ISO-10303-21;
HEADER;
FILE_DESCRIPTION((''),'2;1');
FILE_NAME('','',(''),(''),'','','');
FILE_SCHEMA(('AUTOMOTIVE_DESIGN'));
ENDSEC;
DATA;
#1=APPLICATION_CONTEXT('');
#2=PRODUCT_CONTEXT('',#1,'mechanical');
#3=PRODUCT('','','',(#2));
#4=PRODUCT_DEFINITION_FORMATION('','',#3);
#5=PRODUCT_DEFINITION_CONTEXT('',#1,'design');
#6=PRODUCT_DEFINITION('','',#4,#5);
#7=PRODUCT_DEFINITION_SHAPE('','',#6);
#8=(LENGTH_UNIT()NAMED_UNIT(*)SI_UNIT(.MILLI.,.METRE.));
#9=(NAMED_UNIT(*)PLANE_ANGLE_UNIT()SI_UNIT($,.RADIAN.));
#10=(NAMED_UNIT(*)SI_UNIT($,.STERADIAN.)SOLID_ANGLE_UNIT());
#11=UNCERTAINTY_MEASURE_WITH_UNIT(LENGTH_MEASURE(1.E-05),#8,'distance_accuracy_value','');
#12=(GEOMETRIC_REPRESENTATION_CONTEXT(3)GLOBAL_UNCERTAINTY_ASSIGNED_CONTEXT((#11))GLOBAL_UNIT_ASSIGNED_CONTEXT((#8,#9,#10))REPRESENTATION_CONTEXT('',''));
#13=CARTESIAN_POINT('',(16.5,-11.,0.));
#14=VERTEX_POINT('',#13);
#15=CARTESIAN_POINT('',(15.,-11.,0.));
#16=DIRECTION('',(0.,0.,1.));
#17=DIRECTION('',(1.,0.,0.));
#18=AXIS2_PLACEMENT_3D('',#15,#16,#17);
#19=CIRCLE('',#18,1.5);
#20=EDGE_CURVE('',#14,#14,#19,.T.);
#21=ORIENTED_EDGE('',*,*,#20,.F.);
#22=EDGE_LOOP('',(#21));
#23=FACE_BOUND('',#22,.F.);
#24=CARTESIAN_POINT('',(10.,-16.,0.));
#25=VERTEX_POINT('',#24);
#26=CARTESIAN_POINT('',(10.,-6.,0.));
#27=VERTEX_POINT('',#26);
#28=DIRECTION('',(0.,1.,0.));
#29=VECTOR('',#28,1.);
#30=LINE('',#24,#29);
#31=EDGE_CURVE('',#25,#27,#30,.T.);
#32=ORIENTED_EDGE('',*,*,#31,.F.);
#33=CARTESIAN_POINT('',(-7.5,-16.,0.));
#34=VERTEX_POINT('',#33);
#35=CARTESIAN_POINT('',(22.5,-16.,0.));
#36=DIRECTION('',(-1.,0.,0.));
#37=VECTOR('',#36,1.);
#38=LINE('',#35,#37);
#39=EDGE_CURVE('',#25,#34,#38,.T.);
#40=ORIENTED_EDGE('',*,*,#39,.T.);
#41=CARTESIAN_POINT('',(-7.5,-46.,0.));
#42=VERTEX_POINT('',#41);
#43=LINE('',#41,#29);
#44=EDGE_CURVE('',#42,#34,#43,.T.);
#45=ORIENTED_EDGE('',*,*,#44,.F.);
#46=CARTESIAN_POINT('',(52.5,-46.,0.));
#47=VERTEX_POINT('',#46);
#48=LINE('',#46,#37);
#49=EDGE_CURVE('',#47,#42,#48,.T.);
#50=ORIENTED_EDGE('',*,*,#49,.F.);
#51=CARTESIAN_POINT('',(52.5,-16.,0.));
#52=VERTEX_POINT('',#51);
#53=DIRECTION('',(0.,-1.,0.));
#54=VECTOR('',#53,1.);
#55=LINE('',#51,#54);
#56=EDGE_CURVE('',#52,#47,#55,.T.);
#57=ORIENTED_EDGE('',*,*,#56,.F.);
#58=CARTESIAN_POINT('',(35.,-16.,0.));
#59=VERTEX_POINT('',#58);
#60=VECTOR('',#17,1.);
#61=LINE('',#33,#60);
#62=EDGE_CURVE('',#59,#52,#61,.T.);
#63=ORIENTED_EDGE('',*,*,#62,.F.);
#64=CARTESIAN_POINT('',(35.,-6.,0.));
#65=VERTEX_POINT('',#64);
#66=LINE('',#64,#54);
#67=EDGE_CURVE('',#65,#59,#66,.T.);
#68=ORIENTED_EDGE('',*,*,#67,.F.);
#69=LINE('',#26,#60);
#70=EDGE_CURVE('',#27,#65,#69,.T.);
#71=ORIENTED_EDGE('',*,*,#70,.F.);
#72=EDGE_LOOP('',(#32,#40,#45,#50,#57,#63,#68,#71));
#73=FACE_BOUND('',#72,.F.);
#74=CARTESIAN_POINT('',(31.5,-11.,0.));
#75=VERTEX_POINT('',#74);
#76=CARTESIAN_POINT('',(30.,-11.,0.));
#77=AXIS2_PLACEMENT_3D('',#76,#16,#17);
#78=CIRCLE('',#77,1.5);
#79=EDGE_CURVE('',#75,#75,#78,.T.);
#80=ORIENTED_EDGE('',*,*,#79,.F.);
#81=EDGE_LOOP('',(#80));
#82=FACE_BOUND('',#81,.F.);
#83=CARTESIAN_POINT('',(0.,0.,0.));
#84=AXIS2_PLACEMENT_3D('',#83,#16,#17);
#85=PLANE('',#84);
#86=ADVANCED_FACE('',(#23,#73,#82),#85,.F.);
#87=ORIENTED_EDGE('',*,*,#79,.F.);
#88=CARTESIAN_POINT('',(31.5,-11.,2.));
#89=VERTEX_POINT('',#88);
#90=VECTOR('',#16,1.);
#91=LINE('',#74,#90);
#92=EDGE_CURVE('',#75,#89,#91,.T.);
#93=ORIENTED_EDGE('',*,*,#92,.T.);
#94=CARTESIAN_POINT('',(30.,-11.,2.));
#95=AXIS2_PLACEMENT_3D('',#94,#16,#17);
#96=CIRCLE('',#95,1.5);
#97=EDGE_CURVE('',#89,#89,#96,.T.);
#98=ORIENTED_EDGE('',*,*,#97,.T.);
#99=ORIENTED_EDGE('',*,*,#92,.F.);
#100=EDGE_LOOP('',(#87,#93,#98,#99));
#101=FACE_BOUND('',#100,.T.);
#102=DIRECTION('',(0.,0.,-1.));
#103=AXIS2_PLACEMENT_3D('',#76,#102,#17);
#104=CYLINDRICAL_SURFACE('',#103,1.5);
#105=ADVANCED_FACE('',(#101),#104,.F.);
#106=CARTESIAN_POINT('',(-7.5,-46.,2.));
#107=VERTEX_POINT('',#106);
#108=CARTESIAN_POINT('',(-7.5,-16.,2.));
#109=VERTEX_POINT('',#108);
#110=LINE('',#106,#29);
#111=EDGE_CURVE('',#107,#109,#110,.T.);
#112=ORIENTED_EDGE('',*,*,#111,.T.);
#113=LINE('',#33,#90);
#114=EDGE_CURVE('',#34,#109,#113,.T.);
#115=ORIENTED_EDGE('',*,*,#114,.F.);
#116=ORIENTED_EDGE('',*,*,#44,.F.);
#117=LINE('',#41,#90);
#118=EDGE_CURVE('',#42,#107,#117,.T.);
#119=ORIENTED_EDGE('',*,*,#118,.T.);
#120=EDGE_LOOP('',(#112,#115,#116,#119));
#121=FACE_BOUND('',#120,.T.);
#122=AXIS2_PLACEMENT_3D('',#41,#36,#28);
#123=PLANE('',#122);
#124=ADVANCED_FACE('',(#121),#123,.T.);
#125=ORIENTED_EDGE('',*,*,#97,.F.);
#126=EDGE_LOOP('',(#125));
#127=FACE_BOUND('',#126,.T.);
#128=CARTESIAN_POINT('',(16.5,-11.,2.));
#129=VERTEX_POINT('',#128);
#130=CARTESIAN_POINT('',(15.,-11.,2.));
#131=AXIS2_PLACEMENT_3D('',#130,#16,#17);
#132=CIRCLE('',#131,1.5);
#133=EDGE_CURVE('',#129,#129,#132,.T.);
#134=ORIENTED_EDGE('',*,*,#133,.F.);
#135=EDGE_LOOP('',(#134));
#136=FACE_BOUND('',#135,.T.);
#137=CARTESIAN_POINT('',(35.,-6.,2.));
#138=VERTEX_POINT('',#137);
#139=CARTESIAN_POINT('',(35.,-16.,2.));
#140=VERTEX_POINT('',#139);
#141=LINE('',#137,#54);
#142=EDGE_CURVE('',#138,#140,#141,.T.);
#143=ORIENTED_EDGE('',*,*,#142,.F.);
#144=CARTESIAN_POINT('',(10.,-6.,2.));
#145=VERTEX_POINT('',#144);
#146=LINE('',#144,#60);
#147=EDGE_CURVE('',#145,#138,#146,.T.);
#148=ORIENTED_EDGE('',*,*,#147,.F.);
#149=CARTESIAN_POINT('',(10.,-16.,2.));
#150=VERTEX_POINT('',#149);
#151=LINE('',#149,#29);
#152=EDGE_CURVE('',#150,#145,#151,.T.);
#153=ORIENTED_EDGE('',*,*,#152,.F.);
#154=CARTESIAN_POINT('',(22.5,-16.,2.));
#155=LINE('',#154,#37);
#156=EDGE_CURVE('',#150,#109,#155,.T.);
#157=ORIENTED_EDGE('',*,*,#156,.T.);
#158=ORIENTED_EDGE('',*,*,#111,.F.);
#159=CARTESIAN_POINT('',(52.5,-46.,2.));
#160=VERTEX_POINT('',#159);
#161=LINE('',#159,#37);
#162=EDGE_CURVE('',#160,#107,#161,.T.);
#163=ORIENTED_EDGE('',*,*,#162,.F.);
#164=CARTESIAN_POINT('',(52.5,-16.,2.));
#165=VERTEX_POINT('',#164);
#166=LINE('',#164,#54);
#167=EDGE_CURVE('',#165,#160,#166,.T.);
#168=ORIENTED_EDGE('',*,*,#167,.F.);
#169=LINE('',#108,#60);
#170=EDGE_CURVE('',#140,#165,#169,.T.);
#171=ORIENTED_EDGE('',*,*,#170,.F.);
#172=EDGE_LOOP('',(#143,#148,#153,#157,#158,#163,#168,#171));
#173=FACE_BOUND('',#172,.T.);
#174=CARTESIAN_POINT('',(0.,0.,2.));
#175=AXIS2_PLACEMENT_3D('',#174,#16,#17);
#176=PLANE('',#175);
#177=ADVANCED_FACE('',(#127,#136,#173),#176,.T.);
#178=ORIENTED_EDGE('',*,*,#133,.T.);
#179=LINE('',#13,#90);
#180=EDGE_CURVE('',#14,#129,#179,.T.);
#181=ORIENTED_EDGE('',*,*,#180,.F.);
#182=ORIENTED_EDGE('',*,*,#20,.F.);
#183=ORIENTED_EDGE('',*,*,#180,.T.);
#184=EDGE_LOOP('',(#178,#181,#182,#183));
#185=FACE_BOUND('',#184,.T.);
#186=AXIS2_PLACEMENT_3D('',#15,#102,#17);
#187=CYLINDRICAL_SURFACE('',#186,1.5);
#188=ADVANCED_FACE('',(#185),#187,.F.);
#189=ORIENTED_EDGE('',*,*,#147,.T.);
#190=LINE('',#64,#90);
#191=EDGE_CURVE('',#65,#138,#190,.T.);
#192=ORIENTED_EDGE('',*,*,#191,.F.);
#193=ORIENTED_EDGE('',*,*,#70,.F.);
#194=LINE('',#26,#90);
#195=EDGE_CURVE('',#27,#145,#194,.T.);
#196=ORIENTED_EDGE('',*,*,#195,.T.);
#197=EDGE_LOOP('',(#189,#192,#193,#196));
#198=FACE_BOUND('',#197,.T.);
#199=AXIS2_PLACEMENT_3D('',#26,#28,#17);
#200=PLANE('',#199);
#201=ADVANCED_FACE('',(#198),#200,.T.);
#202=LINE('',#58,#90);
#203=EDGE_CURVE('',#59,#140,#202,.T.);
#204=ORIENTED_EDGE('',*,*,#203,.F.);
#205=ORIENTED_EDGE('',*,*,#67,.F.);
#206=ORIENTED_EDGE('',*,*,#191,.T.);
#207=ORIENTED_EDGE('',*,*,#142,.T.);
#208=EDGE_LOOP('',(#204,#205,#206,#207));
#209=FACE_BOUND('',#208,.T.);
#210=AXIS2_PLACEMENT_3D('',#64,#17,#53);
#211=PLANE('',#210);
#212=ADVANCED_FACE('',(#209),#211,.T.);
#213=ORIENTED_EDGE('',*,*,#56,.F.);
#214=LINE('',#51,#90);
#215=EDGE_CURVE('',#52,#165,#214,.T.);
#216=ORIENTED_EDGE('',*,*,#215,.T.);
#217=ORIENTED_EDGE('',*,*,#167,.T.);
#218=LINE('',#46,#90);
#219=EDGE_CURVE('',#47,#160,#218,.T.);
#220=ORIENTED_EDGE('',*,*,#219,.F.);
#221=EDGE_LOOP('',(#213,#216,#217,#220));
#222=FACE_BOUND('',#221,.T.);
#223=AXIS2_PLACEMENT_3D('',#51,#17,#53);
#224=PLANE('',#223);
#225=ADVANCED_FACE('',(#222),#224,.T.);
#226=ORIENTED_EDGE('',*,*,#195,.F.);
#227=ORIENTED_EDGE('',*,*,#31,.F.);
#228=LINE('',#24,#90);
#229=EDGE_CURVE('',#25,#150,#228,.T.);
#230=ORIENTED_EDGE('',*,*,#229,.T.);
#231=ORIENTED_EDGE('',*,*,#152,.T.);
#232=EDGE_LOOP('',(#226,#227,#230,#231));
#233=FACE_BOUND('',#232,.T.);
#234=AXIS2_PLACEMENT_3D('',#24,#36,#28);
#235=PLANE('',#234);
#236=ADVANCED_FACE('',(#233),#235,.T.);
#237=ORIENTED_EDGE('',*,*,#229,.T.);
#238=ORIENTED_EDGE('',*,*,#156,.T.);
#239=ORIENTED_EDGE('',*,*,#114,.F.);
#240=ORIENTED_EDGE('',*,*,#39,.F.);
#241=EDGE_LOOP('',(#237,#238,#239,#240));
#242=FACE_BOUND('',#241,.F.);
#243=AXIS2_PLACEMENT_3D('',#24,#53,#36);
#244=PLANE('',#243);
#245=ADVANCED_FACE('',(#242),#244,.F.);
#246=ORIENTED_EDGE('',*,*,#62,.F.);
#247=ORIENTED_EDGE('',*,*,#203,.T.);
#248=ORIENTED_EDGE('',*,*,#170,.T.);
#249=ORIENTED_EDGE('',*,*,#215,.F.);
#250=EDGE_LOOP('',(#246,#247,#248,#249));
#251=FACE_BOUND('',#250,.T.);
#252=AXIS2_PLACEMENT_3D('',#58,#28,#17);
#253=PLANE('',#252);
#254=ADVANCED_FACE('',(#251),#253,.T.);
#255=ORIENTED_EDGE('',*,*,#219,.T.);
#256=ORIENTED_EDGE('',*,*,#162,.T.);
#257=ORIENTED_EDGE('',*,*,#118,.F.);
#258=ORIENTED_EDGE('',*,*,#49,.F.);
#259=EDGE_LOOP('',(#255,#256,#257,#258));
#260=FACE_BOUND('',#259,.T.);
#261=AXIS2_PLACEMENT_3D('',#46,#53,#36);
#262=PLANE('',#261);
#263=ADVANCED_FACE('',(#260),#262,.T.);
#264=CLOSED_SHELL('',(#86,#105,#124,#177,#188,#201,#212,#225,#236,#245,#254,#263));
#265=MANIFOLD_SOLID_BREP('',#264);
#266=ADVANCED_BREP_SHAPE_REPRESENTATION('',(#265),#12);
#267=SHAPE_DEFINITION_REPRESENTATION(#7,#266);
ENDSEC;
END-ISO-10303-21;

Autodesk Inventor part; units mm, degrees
ref_plane "YZ Plane" through (0, 0, 0) normal (1, 0, 0) x (0, 1, 0)
ref_plane "XZ Plane" through (0, 0, 0) normal (0, 1, 0) x (-1, 0, 0)
ref_plane "XY Plane" through (0, 0, 0) normal (0, 0, 1) x (1, 0, 0)
ref_plane "Work Plane1" through (0, 0, 0) normal (0, 0, 1) x (1, 0, 0)
sketch "Sketch1" plane through (0, 0, 0) normal (0, 0, 1) x (1, 0, 0)
  circle A0 centre (15, -11) radius 1.5 projected
  circle A1 centre (30, -11) radius 1.5 projected
  line L0 (0, -20) -> (0, 4) construction
  line L1 (0, -20) -> (45, -20) construction
  line L2 (45, -20) -> (45, 4) construction
  line L3 (0, 4) -> (45, 4) construction
  line L4 (15, -11) -> (10, -11) construction
  line L5 (10, -11) -> (10, -6) construction
  line L6 (10, -6) -> (15, -6) construction
  line L7 (15, -6) -> (15, -11) construction
  line L8 (30, -11) -> (35, -11) construction
  line L9 (35, -11) -> (35, -6) construction
  line L10 (35, -6) -> (30, -6) construction
  line L11 (30, -6) -> (30, -11) construction
  line L12 (10, -6) -> (35, -6)
  line L13 (35, -6) -> (35, -16)
  line L14 (35, -16) -> (10, -16)
  line L15 (10, -16) -> (10, -6)
  line L16 (22.5, -16) -> (-7.5, -16)
  line L17 (-7.5, -16) -> (52.5, -16)
  line L18 (52.5, -16) -> (52.5, -46)
  line L19 (52.5, -46) -> (-7.5, -46)
  line L20 (-7.5, -46) -> (-7.5, -16)
  point P0 (0, 0)
  dimension "d0" = 5
  dimension "d1" = 5
  dimension "d2" = 5
  dimension "d3" = 5
  dimension "d4" = 10
  dimension "d5" = 30
  dimension "d6" = 60
  dimension "d7" = 30
extrude "Extrusion1" add sketch "Sketch1" along normal blind 2
properties part number "april_tag_2"
